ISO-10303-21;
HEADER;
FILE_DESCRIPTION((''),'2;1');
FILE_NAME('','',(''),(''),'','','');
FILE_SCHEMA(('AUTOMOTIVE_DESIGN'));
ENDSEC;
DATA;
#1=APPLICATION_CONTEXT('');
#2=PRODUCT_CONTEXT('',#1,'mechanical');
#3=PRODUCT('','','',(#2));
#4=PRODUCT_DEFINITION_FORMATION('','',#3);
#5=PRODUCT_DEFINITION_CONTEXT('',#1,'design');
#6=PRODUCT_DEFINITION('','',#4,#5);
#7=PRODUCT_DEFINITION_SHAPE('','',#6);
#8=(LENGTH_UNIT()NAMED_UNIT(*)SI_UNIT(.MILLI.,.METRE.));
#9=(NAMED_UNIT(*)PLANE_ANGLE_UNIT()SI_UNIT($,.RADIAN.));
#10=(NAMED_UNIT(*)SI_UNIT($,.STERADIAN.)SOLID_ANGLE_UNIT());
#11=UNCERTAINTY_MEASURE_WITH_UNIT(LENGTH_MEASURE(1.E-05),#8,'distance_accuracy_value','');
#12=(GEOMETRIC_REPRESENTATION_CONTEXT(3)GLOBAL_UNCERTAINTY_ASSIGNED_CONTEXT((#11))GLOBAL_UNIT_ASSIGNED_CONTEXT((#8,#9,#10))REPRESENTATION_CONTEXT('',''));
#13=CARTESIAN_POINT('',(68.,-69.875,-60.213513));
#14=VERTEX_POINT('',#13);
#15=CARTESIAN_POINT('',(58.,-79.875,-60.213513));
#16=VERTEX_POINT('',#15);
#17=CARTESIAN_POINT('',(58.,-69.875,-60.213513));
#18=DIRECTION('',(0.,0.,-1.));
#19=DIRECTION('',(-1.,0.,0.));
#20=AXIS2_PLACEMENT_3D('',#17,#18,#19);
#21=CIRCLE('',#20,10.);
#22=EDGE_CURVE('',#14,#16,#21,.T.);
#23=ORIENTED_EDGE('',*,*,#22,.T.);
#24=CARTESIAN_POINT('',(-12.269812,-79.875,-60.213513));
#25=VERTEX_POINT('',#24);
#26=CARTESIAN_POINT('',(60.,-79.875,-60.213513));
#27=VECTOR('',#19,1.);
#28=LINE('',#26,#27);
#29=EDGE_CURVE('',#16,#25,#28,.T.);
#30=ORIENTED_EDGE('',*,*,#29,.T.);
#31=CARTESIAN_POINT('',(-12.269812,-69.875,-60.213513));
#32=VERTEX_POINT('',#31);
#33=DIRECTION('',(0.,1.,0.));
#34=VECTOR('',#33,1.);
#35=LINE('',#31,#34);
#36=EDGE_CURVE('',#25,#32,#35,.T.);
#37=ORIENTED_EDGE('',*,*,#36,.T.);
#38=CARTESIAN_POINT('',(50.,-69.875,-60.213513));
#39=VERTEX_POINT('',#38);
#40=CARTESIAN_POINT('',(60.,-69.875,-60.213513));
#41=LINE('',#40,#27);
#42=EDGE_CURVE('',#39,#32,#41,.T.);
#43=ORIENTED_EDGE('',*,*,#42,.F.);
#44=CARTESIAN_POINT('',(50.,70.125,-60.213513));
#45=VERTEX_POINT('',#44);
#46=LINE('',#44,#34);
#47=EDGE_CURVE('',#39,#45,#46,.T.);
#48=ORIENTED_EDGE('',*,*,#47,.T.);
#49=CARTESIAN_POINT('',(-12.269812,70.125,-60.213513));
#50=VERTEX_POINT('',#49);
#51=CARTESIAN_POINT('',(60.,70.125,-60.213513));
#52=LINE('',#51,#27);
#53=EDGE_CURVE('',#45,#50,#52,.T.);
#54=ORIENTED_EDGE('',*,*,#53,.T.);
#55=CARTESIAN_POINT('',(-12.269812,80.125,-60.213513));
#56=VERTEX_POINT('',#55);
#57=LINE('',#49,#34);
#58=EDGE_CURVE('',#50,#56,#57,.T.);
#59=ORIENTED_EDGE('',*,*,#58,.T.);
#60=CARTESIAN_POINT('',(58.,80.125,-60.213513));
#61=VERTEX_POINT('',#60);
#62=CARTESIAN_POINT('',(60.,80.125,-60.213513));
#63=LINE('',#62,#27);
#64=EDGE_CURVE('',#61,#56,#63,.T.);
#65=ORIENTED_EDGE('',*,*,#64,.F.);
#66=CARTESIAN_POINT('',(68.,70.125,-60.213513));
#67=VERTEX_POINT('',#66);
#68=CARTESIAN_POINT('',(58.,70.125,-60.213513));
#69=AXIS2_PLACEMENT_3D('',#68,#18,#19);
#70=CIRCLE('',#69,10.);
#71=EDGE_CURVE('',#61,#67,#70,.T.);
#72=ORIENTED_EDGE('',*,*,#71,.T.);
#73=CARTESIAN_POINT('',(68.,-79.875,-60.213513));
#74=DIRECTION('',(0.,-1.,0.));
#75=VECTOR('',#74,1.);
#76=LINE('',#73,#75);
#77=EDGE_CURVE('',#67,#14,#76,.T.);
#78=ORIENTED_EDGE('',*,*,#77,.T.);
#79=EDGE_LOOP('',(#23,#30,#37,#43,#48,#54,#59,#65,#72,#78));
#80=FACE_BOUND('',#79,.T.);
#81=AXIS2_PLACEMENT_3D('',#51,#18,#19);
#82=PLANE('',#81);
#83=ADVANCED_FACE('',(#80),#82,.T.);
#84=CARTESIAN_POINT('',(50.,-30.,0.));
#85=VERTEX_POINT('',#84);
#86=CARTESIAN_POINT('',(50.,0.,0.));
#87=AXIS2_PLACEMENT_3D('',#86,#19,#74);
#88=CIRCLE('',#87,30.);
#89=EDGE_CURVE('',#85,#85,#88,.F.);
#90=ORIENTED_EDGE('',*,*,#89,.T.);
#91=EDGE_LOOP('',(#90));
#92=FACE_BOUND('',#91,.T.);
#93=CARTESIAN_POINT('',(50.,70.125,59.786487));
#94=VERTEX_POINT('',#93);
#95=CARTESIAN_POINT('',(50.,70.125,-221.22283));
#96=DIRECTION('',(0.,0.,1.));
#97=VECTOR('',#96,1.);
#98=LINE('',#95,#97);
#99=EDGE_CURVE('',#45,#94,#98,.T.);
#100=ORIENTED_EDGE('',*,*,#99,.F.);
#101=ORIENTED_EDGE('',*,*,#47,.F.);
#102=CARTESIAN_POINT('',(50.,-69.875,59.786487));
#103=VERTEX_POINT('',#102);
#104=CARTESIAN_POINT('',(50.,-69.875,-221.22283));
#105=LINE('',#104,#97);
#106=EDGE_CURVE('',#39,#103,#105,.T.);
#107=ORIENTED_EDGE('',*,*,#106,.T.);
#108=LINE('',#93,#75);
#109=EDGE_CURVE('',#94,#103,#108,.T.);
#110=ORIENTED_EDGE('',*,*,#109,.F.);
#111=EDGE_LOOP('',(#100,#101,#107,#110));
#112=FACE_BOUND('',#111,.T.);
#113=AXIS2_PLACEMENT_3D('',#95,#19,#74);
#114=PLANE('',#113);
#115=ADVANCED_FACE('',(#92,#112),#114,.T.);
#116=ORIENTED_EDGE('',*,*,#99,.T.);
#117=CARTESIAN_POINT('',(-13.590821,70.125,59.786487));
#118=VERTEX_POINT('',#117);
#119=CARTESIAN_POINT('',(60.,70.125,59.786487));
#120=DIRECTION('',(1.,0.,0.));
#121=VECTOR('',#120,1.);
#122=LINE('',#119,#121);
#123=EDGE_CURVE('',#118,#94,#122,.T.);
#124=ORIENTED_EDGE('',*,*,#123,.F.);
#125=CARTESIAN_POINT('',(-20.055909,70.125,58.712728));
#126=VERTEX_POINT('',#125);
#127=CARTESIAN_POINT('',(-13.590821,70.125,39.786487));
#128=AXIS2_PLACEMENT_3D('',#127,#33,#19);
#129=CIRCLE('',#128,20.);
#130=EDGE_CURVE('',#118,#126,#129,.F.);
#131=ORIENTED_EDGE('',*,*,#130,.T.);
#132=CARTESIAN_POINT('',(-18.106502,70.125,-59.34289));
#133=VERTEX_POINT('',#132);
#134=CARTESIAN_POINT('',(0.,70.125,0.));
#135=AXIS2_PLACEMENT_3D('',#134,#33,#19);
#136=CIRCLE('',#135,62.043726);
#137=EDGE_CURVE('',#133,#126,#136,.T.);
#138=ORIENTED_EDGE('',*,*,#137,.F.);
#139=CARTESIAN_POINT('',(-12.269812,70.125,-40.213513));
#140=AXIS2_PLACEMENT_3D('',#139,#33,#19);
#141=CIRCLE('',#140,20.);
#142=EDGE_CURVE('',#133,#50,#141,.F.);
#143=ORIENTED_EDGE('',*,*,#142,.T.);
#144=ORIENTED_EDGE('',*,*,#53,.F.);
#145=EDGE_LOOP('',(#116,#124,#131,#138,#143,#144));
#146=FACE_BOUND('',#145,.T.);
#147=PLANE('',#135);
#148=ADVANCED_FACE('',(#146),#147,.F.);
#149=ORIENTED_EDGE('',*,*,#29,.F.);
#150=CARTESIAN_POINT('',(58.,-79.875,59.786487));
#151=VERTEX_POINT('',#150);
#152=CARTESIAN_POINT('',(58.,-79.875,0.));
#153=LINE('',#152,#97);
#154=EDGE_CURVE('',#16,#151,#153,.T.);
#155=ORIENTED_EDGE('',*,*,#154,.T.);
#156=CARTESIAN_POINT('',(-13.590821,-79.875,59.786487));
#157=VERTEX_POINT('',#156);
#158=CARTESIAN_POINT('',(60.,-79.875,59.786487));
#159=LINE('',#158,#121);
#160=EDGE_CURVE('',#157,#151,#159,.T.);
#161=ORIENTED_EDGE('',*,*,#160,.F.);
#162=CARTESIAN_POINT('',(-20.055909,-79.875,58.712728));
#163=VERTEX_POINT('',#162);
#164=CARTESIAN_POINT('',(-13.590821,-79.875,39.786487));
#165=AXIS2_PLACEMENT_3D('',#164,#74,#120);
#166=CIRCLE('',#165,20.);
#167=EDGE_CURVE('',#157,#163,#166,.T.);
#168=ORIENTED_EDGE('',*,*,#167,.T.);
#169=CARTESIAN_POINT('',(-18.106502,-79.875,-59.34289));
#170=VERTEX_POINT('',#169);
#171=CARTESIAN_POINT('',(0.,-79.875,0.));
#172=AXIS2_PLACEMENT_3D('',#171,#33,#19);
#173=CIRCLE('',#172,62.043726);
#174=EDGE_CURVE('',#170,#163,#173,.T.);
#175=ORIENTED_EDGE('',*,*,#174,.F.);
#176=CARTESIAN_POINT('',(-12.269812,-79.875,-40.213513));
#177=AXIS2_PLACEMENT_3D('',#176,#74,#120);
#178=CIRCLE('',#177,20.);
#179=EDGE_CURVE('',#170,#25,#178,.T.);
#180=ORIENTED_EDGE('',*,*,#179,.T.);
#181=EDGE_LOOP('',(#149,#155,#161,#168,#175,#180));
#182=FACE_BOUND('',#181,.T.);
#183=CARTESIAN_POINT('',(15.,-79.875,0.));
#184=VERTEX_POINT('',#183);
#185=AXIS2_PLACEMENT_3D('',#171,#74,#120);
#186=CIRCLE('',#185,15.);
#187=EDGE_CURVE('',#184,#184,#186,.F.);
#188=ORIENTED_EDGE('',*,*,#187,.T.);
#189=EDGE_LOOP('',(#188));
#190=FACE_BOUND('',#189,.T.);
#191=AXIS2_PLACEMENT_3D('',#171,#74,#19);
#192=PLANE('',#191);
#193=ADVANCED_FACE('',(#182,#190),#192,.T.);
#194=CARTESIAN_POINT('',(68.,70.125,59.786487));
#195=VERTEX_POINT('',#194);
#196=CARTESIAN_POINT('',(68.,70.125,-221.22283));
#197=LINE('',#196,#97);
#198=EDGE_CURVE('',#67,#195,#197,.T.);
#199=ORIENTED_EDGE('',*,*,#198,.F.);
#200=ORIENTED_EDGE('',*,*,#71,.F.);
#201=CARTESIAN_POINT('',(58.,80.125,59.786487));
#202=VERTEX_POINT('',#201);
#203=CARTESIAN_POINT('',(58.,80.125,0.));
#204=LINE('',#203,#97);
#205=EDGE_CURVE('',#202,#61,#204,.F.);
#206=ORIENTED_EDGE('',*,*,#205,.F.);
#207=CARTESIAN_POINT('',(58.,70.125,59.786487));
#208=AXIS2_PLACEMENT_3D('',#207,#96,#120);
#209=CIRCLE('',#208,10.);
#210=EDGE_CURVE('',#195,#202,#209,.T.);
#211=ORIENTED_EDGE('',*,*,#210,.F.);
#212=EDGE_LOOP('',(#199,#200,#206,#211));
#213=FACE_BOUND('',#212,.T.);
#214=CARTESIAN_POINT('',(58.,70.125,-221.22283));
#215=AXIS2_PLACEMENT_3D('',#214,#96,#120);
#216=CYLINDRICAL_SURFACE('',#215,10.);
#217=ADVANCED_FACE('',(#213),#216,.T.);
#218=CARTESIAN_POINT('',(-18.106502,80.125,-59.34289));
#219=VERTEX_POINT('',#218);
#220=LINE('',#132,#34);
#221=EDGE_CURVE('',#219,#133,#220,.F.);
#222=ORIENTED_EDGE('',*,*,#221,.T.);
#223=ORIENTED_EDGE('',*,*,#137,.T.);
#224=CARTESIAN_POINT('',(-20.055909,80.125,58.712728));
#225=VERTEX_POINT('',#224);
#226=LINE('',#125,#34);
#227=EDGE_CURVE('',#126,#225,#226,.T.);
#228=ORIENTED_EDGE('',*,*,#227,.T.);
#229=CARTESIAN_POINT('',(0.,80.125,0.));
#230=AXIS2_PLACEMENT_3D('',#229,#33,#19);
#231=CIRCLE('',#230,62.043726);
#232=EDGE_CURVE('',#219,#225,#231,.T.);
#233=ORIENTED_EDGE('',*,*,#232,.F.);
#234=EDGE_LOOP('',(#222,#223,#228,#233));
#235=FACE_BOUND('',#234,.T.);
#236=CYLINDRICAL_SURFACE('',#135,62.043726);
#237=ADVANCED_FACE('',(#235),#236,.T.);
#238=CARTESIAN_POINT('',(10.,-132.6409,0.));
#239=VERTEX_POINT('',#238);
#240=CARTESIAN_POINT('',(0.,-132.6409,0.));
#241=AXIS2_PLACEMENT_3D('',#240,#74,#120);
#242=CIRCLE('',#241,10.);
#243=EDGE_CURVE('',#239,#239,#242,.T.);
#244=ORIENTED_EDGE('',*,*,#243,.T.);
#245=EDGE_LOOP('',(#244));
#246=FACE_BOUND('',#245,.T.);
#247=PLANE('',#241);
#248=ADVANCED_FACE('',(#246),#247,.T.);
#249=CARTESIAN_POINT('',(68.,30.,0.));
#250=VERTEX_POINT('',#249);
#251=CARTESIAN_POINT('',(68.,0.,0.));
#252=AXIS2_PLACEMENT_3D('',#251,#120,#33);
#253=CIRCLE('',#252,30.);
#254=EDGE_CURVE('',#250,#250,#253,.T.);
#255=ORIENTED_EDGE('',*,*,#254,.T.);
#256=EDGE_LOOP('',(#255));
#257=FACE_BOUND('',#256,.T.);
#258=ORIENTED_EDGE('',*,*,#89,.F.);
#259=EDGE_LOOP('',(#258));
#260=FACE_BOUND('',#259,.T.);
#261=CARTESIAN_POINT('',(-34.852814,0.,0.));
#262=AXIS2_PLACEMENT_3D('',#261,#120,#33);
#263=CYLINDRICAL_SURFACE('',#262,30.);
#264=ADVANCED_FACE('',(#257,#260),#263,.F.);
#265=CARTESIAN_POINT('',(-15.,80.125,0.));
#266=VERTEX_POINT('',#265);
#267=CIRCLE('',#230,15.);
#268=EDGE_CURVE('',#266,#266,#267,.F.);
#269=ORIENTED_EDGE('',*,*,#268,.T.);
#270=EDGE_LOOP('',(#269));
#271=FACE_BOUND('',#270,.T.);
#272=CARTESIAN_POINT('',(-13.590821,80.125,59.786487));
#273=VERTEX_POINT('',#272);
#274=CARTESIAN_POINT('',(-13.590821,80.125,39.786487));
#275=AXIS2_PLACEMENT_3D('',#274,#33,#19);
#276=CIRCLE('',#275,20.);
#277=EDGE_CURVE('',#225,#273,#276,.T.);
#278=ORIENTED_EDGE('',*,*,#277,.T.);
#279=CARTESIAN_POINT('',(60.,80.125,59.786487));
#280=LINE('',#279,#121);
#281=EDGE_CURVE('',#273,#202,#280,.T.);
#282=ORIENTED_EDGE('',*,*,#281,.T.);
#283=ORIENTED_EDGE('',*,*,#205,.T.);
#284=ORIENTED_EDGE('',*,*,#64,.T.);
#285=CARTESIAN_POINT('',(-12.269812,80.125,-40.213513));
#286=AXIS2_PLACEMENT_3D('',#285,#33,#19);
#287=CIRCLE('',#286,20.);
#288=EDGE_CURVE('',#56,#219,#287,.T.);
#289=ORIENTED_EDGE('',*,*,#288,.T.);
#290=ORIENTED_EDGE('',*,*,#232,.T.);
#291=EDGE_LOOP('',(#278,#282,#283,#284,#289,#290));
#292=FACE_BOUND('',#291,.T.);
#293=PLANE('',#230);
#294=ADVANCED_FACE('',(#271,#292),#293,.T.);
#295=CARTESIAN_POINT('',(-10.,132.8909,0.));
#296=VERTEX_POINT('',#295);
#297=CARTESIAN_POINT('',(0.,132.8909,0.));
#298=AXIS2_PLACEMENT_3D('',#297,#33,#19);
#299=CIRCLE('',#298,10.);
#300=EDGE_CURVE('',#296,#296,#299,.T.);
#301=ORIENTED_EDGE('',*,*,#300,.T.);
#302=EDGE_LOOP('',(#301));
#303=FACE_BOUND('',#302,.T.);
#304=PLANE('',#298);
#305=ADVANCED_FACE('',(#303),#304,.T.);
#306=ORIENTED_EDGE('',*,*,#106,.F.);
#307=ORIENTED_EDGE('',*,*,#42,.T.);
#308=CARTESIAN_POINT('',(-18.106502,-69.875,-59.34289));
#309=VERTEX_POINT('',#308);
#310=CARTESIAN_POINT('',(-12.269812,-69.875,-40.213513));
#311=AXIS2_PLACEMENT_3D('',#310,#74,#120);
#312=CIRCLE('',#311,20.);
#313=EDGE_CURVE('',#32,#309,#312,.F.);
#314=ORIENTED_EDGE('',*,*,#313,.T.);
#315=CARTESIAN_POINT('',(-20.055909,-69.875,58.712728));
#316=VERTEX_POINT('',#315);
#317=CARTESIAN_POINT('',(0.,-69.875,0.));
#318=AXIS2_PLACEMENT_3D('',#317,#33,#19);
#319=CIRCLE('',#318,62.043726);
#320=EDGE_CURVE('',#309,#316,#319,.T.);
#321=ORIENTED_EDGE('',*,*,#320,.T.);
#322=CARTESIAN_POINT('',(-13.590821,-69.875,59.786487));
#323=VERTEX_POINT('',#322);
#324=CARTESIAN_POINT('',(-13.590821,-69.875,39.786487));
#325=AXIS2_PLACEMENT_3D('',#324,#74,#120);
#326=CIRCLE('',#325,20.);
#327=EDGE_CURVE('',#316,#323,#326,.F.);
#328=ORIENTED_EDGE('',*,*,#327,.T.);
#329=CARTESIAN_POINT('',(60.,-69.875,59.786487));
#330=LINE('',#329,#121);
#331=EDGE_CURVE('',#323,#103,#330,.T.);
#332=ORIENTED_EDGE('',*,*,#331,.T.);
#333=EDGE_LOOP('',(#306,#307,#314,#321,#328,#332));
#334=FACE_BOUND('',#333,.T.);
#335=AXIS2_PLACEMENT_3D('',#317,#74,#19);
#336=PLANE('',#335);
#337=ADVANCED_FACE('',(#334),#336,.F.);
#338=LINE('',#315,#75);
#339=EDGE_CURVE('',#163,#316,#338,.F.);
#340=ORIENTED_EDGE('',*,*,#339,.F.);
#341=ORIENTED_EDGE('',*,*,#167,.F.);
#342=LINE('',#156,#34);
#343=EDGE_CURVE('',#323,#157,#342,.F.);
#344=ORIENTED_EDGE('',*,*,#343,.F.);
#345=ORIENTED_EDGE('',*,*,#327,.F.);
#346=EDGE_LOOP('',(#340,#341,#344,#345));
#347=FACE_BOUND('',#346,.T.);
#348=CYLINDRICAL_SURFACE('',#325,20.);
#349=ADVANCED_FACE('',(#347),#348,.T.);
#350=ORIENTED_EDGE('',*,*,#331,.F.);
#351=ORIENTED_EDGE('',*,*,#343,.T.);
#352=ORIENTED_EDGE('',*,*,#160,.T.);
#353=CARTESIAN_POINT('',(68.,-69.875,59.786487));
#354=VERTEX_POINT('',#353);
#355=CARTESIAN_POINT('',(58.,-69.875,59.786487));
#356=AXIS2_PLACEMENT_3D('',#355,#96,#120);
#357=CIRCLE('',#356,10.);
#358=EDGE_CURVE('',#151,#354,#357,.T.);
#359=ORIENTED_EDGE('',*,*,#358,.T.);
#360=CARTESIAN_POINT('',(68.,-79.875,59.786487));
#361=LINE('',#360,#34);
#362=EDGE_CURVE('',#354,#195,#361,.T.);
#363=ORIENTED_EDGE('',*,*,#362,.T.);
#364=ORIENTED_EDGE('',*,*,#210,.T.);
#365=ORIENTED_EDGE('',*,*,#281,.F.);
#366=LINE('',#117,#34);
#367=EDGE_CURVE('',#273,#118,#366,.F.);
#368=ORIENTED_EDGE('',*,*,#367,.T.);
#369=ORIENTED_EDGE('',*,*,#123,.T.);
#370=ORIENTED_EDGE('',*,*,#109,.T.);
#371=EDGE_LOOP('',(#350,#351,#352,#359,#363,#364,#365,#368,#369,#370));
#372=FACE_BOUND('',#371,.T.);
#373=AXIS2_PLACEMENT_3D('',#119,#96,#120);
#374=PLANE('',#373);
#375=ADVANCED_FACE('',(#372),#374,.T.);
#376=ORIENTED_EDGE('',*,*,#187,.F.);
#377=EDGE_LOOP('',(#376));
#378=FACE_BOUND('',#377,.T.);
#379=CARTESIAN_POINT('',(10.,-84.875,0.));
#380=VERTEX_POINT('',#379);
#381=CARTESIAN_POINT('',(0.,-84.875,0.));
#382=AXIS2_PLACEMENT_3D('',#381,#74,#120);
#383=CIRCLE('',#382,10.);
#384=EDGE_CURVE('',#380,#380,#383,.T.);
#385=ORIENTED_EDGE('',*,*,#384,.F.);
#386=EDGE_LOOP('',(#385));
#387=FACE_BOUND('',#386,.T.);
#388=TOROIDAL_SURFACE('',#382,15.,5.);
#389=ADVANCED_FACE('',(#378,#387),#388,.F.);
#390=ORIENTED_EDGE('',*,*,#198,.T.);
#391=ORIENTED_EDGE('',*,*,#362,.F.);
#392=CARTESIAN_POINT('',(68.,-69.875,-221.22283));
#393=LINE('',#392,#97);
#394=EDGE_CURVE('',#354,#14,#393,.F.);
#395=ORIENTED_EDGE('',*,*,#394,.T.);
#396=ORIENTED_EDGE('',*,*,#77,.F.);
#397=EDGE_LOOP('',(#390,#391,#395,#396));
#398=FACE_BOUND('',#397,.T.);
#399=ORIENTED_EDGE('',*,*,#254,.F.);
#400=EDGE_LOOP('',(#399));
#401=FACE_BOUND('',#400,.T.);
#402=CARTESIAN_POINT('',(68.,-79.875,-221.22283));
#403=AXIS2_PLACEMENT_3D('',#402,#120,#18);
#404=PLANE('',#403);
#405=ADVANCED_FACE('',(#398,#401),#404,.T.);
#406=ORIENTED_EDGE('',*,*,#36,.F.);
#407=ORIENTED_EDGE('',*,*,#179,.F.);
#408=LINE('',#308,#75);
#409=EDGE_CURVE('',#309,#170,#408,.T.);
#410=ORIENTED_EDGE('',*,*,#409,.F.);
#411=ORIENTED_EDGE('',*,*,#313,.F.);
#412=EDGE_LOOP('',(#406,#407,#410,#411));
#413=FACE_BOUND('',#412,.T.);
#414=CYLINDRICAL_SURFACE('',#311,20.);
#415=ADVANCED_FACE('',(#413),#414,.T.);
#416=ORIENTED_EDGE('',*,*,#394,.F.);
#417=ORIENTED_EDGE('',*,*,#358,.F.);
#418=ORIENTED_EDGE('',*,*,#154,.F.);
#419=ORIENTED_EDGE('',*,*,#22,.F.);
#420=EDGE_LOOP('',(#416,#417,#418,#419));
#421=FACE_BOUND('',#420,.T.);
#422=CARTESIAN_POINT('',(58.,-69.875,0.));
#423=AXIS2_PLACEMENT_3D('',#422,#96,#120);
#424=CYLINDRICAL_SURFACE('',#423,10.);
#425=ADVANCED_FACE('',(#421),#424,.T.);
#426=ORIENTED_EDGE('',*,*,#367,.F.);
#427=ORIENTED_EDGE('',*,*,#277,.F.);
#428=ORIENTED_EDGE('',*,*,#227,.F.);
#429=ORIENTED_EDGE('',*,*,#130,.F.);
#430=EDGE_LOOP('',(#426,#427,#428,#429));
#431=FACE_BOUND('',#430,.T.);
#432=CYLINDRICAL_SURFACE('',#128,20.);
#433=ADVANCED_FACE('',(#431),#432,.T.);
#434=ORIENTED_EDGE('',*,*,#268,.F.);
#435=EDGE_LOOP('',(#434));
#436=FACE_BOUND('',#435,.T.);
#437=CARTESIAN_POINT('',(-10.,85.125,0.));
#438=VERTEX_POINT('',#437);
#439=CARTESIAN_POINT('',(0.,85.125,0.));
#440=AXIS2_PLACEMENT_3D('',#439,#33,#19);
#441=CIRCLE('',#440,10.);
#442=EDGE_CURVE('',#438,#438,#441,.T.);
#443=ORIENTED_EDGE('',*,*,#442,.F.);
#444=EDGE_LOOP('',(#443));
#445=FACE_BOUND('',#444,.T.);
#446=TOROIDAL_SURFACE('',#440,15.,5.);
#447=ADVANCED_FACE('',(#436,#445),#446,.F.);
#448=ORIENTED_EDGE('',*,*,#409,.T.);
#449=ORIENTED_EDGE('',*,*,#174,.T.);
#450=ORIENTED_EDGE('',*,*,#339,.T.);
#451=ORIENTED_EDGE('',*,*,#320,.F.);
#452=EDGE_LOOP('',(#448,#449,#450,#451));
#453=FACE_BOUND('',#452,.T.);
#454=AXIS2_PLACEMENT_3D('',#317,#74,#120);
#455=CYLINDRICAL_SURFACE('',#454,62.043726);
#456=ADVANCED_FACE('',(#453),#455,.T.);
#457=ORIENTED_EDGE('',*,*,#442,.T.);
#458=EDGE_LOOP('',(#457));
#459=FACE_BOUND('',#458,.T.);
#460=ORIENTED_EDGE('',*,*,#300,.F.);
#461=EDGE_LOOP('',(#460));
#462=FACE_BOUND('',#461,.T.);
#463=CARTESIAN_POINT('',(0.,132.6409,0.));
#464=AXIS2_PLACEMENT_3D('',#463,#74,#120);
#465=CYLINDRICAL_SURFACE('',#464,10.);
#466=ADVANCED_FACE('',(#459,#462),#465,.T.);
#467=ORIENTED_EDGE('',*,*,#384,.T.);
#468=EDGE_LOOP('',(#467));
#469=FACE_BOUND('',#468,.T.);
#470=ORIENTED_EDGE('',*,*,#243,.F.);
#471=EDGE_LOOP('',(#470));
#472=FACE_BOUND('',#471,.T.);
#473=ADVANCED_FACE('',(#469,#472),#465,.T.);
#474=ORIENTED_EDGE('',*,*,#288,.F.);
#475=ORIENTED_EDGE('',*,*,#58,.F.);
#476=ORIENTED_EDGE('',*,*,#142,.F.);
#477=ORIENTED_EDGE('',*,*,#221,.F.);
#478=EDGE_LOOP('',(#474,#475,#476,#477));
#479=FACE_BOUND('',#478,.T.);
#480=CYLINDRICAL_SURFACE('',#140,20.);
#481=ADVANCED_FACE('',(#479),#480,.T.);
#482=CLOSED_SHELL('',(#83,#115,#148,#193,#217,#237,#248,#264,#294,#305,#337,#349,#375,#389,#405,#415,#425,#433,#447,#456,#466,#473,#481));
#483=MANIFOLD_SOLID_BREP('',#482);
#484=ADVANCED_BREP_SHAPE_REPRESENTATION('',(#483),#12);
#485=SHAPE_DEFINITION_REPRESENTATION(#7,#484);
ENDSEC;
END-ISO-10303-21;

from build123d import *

# Parameters (mm, degrees)
SWEEP1_PROFILE_R    = 10
SKETCH8_R           = 10
BOSS_EXTRUDE1_DEPTH = 0.25
BOSS_EXTRUDE2_DEPTH = 10
BOSS_EXTRUDE5_DEPTH = 120
SKETCH15_W          = 120
SKETCH15_H          = 140
CUT_EXTRUDE2_DEPTH  = 95
FILLET1_R           = 5
FILLET3_R           = 20
FILLET4_R           = 10
SKETCH16_R          = 30
CUT_EXTRUDE3_DEPTH  = 18


with BuildPart() as part:
    # Sweep1: sweep along a path in Sketch1
    with BuildLine(Plane.XY) as sweep1_path:
        Line((0, 132.640900072), (0, -132.640900072))
    # Sweep1 profile (on start of the path) → Sweep1 (sweep)
    with BuildSketch(Plane(origin=(0, 132.640900072, 0), x_dir=(-1, 0, 0), z_dir=(0, -1, 0))):
        Circle(SWEEP1_PROFILE_R)
    sweep(path=sweep1_path.line)

    # Sketch8 → Boss-Extrude1 (add)
    with BuildSketch(Plane(origin=(0, 132.640900072, 0), x_dir=(1, 0, 0), z_dir=(0, 1, 0))):
        Circle(SKETCH8_R)
    extrude(amount=BOSS_EXTRUDE1_DEPTH)

    # Sketch9 → Boss-Extrude2 (add)
    with BuildSketch(Plane(origin=(0, 80.125, 0), x_dir=(1, 0, 0), z_dir=(0, 1, 0))):
        with BuildLine():
            Line((60, -59.786486662), (-16.583123952, -59.786486662))
            ThreePointArc((-16.583123952, -59.786486662), (-62.038041158, 0.839902741), (-14.958502558, 60.213513338))
            Line((-14.958502558, 60.213513338), (60, 60.213513338))
            Line((60, 60.213513338), (60, -59.786486662))
        make_face()
    boss_extrude2 = extrude(amount=-BOSS_EXTRUDE2_DEPTH)

    # Mirror1: Boss-Extrude2 across plane
    add(boss_extrude2.mirror(Plane.ZX.offset(0.125)))

    # Sketch14 → Boss-Extrude5 (add)
    with BuildSketch(Plane.XY.offset(59.786486662)):
        Polygon((50, 70.125), (60, 70.125), (60, 80.125), (68, 80.125), (68, -79.875), (60, -79.875), (60, -69.875), (50, -69.875), align=None)
    extrude(amount=-BOSS_EXTRUDE5_DEPTH)

    # Sketch15 → Cut-Extrude2 (cut)
    with BuildSketch(Plane.ZY.offset(-50)):
        with Locations((-0.213513338, 0.125)):
            Rectangle(SKETCH15_W, SKETCH15_H)
    extrude(amount=CUT_EXTRUDE2_DEPTH, mode=Mode.SUBTRACT)

    # Fillet1
    fillet1_edges = [part.edges().sort_by_distance(p)[0] for p in [
        (10, 80.125, 0),
        (10, -79.875, 0),
    ]]
    fillet(fillet1_edges, radius=FILLET1_R)

    # Fillet3
    fillet3_edges = [part.edges().sort_by_distance(p)[0] for p in [
        (-16.583123952, 75.125, 59.786486662),
        (-14.958502558, 75.125, -60.213513338),
        (-14.958502558, -74.875, -60.213513338),
        (-16.583123952, -74.875, 59.786486662),
    ]]
    fillet(fillet3_edges, radius=FILLET3_R)

    # Fillet4
    fillet4_edges = [part.edges().sort_by_distance(p)[0] for p in [
        (68, 80.125, -0.213513338),
        (68, -79.875, -0.213513338),
    ]]
    fillet(fillet4_edges, radius=FILLET4_R)

    # Sketch16 → Cut-Extrude3 (cut)
    with BuildSketch(Plane(origin=(68, 0, 0), x_dir=(0, 0, -1), z_dir=(1, 0, 0))):
        with Locations(Location((0, 0, 0), (0, 0, 90))):
            Circle(SKETCH16_R)
    extrude(amount=-CUT_EXTRUDE3_DEPTH, mode=Mode.SUBTRACT)


solid = part.part
